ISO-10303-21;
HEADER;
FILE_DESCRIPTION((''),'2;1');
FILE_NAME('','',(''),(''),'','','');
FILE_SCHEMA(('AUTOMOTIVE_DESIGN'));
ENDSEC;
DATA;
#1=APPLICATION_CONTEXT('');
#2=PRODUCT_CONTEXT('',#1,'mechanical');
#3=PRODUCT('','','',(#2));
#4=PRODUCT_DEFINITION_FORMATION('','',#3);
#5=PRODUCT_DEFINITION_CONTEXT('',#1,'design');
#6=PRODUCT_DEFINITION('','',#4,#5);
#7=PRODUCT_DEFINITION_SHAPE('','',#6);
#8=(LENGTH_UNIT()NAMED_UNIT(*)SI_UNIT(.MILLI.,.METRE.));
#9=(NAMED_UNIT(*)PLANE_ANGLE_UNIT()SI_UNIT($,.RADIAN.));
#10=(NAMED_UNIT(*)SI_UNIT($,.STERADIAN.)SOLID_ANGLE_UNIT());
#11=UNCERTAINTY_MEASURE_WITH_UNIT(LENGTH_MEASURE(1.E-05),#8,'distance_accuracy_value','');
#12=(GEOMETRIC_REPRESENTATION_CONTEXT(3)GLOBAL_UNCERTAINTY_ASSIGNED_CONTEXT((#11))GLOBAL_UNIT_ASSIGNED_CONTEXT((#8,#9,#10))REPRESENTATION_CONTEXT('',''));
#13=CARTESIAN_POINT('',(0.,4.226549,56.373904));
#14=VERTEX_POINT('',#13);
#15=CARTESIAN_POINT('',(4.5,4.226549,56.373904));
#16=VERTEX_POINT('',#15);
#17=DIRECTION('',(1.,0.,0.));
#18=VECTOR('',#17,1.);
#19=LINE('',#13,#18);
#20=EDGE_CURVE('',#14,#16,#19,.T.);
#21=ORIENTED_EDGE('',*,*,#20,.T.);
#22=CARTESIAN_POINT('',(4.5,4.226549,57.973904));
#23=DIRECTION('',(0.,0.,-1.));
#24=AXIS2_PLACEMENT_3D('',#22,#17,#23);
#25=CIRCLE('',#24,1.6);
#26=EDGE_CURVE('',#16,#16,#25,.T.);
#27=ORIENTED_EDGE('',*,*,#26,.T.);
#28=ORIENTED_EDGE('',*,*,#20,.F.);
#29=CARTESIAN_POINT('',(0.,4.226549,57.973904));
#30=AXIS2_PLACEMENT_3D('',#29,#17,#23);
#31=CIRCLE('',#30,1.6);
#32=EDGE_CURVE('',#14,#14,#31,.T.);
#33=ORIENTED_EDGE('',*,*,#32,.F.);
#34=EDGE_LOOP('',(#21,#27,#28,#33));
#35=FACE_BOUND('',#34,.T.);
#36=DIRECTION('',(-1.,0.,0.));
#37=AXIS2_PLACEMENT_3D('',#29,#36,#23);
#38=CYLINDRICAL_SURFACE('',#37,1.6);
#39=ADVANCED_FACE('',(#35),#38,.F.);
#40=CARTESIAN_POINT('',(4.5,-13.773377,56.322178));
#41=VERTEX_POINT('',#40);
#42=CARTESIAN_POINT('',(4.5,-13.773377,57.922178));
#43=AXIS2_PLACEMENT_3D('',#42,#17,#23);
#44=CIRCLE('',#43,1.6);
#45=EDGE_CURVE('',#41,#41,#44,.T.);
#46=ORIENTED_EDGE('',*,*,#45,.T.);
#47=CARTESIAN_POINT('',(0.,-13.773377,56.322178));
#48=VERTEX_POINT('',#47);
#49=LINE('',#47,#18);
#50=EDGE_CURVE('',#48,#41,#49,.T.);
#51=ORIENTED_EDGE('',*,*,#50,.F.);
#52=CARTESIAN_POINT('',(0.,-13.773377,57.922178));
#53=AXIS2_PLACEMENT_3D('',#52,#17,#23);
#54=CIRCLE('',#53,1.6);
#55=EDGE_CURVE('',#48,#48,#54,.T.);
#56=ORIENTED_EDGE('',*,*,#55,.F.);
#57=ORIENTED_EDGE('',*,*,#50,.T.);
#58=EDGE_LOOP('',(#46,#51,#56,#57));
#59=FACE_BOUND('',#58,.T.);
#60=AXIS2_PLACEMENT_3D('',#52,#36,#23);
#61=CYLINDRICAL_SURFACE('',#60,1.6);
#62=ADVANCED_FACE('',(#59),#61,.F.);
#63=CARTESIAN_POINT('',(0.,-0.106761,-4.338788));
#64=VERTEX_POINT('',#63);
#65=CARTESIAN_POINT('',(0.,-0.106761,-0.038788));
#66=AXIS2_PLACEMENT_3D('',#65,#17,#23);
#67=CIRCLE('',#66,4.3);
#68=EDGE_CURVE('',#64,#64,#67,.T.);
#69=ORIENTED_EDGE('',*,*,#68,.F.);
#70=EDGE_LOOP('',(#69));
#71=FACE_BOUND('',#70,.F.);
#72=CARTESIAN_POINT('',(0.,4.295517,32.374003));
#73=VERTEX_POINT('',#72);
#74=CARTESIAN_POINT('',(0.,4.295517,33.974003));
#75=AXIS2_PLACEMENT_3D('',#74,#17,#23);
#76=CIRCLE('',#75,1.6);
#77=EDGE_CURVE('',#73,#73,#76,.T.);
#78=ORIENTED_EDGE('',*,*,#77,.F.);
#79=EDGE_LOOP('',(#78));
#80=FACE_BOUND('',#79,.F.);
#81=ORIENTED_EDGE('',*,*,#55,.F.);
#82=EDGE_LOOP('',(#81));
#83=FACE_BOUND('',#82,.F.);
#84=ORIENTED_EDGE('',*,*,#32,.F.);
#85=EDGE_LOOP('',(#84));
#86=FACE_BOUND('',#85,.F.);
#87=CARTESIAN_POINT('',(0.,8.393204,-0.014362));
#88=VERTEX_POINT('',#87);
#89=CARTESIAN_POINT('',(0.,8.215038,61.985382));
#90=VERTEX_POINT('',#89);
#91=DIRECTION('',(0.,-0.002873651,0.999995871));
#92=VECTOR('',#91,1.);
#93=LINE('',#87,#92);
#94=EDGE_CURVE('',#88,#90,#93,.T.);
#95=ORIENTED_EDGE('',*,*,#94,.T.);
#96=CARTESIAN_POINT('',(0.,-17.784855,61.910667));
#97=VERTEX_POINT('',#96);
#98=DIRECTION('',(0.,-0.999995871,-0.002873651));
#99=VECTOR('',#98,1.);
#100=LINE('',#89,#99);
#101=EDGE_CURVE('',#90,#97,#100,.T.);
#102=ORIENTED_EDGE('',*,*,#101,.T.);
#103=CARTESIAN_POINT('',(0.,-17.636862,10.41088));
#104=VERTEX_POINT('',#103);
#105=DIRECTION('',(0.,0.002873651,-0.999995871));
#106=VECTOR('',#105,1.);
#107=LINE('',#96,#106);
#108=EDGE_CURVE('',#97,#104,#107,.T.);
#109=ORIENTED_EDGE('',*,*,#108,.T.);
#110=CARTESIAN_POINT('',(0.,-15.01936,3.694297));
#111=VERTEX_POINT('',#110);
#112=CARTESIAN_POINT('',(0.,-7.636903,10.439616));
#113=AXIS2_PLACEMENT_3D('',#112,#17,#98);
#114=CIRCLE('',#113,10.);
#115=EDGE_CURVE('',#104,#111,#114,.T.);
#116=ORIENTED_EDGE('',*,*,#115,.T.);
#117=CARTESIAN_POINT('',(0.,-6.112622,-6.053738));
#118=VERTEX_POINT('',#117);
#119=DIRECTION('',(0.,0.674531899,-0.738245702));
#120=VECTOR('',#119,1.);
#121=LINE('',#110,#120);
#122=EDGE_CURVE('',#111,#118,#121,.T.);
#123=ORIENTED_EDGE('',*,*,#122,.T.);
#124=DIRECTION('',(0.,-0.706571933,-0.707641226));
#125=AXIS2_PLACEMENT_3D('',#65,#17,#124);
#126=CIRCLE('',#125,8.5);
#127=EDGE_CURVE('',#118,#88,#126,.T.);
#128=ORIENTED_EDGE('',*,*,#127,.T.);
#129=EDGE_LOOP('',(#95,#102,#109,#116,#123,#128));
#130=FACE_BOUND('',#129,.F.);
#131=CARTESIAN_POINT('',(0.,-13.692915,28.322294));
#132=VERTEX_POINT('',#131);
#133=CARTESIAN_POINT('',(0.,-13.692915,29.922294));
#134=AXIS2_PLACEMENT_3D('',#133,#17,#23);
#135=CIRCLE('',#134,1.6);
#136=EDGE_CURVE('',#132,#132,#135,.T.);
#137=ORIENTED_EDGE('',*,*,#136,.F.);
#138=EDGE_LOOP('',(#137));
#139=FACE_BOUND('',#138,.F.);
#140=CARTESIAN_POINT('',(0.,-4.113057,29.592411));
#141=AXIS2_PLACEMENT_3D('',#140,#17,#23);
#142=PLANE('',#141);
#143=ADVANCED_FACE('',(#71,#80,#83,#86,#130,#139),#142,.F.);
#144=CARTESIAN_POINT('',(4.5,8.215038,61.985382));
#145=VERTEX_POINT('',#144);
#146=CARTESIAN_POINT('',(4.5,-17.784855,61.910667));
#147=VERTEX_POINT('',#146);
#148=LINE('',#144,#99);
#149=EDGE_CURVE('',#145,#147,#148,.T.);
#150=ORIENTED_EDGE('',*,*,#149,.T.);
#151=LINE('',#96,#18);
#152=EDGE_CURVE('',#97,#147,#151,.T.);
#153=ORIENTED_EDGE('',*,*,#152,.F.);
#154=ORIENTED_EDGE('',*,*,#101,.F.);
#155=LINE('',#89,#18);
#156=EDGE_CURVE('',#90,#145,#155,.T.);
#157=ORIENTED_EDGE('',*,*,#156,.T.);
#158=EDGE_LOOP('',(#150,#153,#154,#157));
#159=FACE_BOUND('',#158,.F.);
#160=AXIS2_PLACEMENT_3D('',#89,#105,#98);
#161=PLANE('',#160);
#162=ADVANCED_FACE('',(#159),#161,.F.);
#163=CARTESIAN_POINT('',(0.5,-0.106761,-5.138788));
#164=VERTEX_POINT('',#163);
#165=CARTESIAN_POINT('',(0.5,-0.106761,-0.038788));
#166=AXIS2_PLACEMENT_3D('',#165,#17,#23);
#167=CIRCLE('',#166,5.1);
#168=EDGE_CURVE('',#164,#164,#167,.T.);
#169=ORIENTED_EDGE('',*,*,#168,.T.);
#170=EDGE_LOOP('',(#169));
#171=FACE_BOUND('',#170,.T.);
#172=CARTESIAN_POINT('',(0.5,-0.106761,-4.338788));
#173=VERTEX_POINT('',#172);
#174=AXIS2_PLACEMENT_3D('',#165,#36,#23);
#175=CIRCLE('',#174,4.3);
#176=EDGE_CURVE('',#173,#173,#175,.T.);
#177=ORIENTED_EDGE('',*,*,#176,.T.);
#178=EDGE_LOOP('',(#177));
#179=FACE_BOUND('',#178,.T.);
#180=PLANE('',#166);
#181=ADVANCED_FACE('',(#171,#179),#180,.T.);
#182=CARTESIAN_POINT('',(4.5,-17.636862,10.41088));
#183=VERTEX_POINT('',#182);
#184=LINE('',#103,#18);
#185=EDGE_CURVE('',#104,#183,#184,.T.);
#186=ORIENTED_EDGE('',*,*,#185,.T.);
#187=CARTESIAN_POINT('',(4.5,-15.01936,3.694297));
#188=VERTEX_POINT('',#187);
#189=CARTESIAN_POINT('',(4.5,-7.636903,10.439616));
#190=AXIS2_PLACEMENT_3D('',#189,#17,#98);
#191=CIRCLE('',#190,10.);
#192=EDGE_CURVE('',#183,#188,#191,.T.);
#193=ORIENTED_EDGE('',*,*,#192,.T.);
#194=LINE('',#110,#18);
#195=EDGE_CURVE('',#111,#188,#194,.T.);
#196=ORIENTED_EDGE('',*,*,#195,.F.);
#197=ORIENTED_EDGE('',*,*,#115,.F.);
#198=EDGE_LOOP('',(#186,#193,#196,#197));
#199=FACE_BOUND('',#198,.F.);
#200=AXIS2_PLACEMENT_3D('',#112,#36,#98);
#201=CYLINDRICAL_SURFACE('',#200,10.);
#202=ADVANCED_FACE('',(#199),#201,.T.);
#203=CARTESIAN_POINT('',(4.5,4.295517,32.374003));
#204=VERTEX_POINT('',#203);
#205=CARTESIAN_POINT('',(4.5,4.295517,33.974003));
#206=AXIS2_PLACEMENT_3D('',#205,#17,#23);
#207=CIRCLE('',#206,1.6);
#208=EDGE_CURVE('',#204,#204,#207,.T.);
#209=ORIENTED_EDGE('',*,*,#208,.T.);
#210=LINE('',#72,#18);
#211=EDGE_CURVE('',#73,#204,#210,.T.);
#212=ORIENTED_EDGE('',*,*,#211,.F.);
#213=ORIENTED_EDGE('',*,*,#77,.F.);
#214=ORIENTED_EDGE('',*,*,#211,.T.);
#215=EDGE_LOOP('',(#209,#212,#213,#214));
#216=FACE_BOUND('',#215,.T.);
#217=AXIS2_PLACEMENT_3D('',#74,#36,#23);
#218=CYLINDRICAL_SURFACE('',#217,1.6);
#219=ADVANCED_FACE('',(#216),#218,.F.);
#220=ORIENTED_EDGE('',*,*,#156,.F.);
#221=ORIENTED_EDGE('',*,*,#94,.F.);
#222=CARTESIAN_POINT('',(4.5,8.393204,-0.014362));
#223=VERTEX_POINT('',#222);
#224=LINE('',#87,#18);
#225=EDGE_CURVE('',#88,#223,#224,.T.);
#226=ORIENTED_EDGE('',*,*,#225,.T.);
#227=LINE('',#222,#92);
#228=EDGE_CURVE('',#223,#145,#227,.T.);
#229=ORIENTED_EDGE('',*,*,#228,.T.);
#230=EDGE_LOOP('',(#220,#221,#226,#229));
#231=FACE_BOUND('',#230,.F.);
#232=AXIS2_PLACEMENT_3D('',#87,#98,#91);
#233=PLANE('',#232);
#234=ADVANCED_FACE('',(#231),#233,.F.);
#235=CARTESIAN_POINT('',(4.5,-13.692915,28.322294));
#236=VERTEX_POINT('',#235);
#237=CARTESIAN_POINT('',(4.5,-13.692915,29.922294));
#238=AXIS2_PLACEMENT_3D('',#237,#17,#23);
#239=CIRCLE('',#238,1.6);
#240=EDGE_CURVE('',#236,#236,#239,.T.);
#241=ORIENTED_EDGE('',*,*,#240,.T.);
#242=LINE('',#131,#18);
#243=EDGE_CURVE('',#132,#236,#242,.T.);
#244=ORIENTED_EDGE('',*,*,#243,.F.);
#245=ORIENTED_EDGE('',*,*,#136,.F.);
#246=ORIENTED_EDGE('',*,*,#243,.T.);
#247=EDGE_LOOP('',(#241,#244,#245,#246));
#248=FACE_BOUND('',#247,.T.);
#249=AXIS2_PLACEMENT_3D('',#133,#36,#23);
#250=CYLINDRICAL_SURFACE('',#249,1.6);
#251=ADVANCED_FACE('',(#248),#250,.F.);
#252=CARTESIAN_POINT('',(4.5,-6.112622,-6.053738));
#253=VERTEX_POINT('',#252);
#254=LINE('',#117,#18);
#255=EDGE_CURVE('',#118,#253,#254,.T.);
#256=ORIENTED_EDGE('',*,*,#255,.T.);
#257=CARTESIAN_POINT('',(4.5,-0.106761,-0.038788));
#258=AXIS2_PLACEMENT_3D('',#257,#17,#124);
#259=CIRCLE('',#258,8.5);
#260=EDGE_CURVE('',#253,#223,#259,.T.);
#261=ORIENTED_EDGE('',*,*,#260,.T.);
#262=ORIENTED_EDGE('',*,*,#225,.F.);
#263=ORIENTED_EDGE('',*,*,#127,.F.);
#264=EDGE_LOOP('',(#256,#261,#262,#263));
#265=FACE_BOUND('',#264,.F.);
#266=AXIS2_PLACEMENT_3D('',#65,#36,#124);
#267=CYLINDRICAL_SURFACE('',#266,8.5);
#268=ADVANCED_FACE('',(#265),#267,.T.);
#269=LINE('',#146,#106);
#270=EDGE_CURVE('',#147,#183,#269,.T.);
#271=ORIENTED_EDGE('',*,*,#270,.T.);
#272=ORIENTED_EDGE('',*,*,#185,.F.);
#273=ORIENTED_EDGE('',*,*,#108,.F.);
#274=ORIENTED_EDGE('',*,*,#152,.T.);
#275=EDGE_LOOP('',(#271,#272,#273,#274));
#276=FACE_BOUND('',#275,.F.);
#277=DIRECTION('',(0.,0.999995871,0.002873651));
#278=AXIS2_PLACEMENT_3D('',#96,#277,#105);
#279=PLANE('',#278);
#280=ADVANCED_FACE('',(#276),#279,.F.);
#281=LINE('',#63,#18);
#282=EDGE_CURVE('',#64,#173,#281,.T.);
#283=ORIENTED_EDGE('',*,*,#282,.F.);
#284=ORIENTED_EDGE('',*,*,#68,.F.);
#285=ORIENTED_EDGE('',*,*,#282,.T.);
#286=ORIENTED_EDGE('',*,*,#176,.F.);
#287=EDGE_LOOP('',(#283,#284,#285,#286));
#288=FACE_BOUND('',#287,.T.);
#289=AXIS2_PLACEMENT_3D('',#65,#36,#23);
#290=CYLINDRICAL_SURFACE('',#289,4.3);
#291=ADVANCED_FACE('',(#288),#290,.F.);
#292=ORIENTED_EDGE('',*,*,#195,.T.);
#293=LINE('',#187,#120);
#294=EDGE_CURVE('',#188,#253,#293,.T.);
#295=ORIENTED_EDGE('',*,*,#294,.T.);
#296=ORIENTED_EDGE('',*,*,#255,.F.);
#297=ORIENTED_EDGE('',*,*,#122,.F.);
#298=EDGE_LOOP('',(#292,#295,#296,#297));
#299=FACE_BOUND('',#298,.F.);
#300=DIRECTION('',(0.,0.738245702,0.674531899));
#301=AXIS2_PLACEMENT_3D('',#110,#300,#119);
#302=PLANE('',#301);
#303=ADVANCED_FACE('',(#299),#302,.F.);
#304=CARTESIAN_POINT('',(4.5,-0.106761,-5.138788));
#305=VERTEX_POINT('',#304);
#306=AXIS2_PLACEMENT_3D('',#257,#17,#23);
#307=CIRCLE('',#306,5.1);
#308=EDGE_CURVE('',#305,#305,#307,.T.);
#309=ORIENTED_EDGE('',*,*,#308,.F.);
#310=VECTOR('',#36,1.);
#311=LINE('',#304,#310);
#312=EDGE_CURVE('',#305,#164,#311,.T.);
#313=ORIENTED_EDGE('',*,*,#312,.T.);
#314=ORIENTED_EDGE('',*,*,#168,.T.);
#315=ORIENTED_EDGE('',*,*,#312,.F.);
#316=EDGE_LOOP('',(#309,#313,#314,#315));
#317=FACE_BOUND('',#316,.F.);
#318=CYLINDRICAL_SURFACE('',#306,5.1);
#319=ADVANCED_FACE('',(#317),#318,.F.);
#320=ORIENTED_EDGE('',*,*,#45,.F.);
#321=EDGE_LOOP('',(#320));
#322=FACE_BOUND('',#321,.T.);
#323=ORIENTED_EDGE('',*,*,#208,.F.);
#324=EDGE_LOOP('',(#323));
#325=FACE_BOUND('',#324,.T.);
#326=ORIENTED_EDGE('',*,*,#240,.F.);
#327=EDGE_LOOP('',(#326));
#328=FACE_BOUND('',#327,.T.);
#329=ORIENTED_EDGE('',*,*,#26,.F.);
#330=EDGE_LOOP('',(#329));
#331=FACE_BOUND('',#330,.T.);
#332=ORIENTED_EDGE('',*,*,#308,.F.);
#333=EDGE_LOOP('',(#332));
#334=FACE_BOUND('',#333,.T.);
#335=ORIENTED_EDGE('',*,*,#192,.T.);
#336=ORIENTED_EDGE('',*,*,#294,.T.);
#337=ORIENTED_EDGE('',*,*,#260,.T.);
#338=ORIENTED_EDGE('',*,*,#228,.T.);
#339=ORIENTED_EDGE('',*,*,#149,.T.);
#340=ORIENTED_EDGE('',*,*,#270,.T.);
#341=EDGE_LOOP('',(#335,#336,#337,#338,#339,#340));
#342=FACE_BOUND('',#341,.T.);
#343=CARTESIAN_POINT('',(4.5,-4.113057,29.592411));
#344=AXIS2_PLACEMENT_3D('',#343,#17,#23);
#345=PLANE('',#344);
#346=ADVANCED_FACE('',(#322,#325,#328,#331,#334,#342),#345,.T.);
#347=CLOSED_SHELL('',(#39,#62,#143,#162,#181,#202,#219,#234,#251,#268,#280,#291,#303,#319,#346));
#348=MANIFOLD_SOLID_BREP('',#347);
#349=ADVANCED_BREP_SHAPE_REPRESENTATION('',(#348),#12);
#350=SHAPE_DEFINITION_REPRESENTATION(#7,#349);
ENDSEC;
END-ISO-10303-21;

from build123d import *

# Parameters (mm, degrees)
SKETCH_1_R          = 4.3
SKETCH_1_R_2        = 1.6
EXTRUDE_1_DEPTH     = 4.5
SKETCH_2_R          = 5.1
CUT_EXTRUDE_1_DEPTH = 4


with BuildPart() as part:
    # 草图1 → 凸台-拉伸1 (new body)
    with BuildSketch(Plane(origin=(0, 0, 0), x_dir=(0, 0, -1), z_dir=(1, 0, 0))):
        with BuildLine():
            Line((-61.910667188, -17.784854846), (-10.410879829, -17.636861799))
            ThreePointArc((-10.410879829, -17.636861799), (-6.80853031, -16.954371319), (-3.69429735, -15.01936011))
            Line((-3.69429735, -15.01936011), (6.053738335, -6.112622142))
            ThreePointArc((6.053738335, -6.112622142), (7.885847556, 3.160295303), (0.014361881, 8.393204188))
            Line((0.014361881, 8.393204188), (-61.985382125, 8.215037801))
            Line((-61.985382125, 8.215037801), (-61.910667188, -17.784854846))
        make_face()
        with Locations((0.038787918, -0.106760716)):
            Circle(SKETCH_1_R, mode=Mode.SUBTRACT)
        with Locations((-57.973904035, 4.226548923)):
            Circle(SKETCH_1_R_2, mode=Mode.SUBTRACT)
        with Locations((-29.92229392, -13.692914517)):
            Circle(SKETCH_1_R_2, mode=Mode.SUBTRACT)
        with Locations((-33.97400313, 4.295516556)):
            Circle(SKETCH_1_R_2, mode=Mode.SUBTRACT)
        with Locations((-57.92217831, -13.773376756)):
            Circle(SKETCH_1_R_2, mode=Mode.SUBTRACT)
    extrude(amount=EXTRUDE_1_DEPTH)

    # 草图2 → 切除-拉伸1 (cut)
    with BuildSketch(Plane(origin=(4.5, 0, 0), x_dir=(0, 0, -1), z_dir=(1, 0, 0))):
        with Locations((0.038787918, -0.106760716)):
            Circle(SKETCH_2_R)
    extrude(amount=-CUT_EXTRUDE_1_DEPTH, mode=Mode.SUBTRACT)


solid = part.part
